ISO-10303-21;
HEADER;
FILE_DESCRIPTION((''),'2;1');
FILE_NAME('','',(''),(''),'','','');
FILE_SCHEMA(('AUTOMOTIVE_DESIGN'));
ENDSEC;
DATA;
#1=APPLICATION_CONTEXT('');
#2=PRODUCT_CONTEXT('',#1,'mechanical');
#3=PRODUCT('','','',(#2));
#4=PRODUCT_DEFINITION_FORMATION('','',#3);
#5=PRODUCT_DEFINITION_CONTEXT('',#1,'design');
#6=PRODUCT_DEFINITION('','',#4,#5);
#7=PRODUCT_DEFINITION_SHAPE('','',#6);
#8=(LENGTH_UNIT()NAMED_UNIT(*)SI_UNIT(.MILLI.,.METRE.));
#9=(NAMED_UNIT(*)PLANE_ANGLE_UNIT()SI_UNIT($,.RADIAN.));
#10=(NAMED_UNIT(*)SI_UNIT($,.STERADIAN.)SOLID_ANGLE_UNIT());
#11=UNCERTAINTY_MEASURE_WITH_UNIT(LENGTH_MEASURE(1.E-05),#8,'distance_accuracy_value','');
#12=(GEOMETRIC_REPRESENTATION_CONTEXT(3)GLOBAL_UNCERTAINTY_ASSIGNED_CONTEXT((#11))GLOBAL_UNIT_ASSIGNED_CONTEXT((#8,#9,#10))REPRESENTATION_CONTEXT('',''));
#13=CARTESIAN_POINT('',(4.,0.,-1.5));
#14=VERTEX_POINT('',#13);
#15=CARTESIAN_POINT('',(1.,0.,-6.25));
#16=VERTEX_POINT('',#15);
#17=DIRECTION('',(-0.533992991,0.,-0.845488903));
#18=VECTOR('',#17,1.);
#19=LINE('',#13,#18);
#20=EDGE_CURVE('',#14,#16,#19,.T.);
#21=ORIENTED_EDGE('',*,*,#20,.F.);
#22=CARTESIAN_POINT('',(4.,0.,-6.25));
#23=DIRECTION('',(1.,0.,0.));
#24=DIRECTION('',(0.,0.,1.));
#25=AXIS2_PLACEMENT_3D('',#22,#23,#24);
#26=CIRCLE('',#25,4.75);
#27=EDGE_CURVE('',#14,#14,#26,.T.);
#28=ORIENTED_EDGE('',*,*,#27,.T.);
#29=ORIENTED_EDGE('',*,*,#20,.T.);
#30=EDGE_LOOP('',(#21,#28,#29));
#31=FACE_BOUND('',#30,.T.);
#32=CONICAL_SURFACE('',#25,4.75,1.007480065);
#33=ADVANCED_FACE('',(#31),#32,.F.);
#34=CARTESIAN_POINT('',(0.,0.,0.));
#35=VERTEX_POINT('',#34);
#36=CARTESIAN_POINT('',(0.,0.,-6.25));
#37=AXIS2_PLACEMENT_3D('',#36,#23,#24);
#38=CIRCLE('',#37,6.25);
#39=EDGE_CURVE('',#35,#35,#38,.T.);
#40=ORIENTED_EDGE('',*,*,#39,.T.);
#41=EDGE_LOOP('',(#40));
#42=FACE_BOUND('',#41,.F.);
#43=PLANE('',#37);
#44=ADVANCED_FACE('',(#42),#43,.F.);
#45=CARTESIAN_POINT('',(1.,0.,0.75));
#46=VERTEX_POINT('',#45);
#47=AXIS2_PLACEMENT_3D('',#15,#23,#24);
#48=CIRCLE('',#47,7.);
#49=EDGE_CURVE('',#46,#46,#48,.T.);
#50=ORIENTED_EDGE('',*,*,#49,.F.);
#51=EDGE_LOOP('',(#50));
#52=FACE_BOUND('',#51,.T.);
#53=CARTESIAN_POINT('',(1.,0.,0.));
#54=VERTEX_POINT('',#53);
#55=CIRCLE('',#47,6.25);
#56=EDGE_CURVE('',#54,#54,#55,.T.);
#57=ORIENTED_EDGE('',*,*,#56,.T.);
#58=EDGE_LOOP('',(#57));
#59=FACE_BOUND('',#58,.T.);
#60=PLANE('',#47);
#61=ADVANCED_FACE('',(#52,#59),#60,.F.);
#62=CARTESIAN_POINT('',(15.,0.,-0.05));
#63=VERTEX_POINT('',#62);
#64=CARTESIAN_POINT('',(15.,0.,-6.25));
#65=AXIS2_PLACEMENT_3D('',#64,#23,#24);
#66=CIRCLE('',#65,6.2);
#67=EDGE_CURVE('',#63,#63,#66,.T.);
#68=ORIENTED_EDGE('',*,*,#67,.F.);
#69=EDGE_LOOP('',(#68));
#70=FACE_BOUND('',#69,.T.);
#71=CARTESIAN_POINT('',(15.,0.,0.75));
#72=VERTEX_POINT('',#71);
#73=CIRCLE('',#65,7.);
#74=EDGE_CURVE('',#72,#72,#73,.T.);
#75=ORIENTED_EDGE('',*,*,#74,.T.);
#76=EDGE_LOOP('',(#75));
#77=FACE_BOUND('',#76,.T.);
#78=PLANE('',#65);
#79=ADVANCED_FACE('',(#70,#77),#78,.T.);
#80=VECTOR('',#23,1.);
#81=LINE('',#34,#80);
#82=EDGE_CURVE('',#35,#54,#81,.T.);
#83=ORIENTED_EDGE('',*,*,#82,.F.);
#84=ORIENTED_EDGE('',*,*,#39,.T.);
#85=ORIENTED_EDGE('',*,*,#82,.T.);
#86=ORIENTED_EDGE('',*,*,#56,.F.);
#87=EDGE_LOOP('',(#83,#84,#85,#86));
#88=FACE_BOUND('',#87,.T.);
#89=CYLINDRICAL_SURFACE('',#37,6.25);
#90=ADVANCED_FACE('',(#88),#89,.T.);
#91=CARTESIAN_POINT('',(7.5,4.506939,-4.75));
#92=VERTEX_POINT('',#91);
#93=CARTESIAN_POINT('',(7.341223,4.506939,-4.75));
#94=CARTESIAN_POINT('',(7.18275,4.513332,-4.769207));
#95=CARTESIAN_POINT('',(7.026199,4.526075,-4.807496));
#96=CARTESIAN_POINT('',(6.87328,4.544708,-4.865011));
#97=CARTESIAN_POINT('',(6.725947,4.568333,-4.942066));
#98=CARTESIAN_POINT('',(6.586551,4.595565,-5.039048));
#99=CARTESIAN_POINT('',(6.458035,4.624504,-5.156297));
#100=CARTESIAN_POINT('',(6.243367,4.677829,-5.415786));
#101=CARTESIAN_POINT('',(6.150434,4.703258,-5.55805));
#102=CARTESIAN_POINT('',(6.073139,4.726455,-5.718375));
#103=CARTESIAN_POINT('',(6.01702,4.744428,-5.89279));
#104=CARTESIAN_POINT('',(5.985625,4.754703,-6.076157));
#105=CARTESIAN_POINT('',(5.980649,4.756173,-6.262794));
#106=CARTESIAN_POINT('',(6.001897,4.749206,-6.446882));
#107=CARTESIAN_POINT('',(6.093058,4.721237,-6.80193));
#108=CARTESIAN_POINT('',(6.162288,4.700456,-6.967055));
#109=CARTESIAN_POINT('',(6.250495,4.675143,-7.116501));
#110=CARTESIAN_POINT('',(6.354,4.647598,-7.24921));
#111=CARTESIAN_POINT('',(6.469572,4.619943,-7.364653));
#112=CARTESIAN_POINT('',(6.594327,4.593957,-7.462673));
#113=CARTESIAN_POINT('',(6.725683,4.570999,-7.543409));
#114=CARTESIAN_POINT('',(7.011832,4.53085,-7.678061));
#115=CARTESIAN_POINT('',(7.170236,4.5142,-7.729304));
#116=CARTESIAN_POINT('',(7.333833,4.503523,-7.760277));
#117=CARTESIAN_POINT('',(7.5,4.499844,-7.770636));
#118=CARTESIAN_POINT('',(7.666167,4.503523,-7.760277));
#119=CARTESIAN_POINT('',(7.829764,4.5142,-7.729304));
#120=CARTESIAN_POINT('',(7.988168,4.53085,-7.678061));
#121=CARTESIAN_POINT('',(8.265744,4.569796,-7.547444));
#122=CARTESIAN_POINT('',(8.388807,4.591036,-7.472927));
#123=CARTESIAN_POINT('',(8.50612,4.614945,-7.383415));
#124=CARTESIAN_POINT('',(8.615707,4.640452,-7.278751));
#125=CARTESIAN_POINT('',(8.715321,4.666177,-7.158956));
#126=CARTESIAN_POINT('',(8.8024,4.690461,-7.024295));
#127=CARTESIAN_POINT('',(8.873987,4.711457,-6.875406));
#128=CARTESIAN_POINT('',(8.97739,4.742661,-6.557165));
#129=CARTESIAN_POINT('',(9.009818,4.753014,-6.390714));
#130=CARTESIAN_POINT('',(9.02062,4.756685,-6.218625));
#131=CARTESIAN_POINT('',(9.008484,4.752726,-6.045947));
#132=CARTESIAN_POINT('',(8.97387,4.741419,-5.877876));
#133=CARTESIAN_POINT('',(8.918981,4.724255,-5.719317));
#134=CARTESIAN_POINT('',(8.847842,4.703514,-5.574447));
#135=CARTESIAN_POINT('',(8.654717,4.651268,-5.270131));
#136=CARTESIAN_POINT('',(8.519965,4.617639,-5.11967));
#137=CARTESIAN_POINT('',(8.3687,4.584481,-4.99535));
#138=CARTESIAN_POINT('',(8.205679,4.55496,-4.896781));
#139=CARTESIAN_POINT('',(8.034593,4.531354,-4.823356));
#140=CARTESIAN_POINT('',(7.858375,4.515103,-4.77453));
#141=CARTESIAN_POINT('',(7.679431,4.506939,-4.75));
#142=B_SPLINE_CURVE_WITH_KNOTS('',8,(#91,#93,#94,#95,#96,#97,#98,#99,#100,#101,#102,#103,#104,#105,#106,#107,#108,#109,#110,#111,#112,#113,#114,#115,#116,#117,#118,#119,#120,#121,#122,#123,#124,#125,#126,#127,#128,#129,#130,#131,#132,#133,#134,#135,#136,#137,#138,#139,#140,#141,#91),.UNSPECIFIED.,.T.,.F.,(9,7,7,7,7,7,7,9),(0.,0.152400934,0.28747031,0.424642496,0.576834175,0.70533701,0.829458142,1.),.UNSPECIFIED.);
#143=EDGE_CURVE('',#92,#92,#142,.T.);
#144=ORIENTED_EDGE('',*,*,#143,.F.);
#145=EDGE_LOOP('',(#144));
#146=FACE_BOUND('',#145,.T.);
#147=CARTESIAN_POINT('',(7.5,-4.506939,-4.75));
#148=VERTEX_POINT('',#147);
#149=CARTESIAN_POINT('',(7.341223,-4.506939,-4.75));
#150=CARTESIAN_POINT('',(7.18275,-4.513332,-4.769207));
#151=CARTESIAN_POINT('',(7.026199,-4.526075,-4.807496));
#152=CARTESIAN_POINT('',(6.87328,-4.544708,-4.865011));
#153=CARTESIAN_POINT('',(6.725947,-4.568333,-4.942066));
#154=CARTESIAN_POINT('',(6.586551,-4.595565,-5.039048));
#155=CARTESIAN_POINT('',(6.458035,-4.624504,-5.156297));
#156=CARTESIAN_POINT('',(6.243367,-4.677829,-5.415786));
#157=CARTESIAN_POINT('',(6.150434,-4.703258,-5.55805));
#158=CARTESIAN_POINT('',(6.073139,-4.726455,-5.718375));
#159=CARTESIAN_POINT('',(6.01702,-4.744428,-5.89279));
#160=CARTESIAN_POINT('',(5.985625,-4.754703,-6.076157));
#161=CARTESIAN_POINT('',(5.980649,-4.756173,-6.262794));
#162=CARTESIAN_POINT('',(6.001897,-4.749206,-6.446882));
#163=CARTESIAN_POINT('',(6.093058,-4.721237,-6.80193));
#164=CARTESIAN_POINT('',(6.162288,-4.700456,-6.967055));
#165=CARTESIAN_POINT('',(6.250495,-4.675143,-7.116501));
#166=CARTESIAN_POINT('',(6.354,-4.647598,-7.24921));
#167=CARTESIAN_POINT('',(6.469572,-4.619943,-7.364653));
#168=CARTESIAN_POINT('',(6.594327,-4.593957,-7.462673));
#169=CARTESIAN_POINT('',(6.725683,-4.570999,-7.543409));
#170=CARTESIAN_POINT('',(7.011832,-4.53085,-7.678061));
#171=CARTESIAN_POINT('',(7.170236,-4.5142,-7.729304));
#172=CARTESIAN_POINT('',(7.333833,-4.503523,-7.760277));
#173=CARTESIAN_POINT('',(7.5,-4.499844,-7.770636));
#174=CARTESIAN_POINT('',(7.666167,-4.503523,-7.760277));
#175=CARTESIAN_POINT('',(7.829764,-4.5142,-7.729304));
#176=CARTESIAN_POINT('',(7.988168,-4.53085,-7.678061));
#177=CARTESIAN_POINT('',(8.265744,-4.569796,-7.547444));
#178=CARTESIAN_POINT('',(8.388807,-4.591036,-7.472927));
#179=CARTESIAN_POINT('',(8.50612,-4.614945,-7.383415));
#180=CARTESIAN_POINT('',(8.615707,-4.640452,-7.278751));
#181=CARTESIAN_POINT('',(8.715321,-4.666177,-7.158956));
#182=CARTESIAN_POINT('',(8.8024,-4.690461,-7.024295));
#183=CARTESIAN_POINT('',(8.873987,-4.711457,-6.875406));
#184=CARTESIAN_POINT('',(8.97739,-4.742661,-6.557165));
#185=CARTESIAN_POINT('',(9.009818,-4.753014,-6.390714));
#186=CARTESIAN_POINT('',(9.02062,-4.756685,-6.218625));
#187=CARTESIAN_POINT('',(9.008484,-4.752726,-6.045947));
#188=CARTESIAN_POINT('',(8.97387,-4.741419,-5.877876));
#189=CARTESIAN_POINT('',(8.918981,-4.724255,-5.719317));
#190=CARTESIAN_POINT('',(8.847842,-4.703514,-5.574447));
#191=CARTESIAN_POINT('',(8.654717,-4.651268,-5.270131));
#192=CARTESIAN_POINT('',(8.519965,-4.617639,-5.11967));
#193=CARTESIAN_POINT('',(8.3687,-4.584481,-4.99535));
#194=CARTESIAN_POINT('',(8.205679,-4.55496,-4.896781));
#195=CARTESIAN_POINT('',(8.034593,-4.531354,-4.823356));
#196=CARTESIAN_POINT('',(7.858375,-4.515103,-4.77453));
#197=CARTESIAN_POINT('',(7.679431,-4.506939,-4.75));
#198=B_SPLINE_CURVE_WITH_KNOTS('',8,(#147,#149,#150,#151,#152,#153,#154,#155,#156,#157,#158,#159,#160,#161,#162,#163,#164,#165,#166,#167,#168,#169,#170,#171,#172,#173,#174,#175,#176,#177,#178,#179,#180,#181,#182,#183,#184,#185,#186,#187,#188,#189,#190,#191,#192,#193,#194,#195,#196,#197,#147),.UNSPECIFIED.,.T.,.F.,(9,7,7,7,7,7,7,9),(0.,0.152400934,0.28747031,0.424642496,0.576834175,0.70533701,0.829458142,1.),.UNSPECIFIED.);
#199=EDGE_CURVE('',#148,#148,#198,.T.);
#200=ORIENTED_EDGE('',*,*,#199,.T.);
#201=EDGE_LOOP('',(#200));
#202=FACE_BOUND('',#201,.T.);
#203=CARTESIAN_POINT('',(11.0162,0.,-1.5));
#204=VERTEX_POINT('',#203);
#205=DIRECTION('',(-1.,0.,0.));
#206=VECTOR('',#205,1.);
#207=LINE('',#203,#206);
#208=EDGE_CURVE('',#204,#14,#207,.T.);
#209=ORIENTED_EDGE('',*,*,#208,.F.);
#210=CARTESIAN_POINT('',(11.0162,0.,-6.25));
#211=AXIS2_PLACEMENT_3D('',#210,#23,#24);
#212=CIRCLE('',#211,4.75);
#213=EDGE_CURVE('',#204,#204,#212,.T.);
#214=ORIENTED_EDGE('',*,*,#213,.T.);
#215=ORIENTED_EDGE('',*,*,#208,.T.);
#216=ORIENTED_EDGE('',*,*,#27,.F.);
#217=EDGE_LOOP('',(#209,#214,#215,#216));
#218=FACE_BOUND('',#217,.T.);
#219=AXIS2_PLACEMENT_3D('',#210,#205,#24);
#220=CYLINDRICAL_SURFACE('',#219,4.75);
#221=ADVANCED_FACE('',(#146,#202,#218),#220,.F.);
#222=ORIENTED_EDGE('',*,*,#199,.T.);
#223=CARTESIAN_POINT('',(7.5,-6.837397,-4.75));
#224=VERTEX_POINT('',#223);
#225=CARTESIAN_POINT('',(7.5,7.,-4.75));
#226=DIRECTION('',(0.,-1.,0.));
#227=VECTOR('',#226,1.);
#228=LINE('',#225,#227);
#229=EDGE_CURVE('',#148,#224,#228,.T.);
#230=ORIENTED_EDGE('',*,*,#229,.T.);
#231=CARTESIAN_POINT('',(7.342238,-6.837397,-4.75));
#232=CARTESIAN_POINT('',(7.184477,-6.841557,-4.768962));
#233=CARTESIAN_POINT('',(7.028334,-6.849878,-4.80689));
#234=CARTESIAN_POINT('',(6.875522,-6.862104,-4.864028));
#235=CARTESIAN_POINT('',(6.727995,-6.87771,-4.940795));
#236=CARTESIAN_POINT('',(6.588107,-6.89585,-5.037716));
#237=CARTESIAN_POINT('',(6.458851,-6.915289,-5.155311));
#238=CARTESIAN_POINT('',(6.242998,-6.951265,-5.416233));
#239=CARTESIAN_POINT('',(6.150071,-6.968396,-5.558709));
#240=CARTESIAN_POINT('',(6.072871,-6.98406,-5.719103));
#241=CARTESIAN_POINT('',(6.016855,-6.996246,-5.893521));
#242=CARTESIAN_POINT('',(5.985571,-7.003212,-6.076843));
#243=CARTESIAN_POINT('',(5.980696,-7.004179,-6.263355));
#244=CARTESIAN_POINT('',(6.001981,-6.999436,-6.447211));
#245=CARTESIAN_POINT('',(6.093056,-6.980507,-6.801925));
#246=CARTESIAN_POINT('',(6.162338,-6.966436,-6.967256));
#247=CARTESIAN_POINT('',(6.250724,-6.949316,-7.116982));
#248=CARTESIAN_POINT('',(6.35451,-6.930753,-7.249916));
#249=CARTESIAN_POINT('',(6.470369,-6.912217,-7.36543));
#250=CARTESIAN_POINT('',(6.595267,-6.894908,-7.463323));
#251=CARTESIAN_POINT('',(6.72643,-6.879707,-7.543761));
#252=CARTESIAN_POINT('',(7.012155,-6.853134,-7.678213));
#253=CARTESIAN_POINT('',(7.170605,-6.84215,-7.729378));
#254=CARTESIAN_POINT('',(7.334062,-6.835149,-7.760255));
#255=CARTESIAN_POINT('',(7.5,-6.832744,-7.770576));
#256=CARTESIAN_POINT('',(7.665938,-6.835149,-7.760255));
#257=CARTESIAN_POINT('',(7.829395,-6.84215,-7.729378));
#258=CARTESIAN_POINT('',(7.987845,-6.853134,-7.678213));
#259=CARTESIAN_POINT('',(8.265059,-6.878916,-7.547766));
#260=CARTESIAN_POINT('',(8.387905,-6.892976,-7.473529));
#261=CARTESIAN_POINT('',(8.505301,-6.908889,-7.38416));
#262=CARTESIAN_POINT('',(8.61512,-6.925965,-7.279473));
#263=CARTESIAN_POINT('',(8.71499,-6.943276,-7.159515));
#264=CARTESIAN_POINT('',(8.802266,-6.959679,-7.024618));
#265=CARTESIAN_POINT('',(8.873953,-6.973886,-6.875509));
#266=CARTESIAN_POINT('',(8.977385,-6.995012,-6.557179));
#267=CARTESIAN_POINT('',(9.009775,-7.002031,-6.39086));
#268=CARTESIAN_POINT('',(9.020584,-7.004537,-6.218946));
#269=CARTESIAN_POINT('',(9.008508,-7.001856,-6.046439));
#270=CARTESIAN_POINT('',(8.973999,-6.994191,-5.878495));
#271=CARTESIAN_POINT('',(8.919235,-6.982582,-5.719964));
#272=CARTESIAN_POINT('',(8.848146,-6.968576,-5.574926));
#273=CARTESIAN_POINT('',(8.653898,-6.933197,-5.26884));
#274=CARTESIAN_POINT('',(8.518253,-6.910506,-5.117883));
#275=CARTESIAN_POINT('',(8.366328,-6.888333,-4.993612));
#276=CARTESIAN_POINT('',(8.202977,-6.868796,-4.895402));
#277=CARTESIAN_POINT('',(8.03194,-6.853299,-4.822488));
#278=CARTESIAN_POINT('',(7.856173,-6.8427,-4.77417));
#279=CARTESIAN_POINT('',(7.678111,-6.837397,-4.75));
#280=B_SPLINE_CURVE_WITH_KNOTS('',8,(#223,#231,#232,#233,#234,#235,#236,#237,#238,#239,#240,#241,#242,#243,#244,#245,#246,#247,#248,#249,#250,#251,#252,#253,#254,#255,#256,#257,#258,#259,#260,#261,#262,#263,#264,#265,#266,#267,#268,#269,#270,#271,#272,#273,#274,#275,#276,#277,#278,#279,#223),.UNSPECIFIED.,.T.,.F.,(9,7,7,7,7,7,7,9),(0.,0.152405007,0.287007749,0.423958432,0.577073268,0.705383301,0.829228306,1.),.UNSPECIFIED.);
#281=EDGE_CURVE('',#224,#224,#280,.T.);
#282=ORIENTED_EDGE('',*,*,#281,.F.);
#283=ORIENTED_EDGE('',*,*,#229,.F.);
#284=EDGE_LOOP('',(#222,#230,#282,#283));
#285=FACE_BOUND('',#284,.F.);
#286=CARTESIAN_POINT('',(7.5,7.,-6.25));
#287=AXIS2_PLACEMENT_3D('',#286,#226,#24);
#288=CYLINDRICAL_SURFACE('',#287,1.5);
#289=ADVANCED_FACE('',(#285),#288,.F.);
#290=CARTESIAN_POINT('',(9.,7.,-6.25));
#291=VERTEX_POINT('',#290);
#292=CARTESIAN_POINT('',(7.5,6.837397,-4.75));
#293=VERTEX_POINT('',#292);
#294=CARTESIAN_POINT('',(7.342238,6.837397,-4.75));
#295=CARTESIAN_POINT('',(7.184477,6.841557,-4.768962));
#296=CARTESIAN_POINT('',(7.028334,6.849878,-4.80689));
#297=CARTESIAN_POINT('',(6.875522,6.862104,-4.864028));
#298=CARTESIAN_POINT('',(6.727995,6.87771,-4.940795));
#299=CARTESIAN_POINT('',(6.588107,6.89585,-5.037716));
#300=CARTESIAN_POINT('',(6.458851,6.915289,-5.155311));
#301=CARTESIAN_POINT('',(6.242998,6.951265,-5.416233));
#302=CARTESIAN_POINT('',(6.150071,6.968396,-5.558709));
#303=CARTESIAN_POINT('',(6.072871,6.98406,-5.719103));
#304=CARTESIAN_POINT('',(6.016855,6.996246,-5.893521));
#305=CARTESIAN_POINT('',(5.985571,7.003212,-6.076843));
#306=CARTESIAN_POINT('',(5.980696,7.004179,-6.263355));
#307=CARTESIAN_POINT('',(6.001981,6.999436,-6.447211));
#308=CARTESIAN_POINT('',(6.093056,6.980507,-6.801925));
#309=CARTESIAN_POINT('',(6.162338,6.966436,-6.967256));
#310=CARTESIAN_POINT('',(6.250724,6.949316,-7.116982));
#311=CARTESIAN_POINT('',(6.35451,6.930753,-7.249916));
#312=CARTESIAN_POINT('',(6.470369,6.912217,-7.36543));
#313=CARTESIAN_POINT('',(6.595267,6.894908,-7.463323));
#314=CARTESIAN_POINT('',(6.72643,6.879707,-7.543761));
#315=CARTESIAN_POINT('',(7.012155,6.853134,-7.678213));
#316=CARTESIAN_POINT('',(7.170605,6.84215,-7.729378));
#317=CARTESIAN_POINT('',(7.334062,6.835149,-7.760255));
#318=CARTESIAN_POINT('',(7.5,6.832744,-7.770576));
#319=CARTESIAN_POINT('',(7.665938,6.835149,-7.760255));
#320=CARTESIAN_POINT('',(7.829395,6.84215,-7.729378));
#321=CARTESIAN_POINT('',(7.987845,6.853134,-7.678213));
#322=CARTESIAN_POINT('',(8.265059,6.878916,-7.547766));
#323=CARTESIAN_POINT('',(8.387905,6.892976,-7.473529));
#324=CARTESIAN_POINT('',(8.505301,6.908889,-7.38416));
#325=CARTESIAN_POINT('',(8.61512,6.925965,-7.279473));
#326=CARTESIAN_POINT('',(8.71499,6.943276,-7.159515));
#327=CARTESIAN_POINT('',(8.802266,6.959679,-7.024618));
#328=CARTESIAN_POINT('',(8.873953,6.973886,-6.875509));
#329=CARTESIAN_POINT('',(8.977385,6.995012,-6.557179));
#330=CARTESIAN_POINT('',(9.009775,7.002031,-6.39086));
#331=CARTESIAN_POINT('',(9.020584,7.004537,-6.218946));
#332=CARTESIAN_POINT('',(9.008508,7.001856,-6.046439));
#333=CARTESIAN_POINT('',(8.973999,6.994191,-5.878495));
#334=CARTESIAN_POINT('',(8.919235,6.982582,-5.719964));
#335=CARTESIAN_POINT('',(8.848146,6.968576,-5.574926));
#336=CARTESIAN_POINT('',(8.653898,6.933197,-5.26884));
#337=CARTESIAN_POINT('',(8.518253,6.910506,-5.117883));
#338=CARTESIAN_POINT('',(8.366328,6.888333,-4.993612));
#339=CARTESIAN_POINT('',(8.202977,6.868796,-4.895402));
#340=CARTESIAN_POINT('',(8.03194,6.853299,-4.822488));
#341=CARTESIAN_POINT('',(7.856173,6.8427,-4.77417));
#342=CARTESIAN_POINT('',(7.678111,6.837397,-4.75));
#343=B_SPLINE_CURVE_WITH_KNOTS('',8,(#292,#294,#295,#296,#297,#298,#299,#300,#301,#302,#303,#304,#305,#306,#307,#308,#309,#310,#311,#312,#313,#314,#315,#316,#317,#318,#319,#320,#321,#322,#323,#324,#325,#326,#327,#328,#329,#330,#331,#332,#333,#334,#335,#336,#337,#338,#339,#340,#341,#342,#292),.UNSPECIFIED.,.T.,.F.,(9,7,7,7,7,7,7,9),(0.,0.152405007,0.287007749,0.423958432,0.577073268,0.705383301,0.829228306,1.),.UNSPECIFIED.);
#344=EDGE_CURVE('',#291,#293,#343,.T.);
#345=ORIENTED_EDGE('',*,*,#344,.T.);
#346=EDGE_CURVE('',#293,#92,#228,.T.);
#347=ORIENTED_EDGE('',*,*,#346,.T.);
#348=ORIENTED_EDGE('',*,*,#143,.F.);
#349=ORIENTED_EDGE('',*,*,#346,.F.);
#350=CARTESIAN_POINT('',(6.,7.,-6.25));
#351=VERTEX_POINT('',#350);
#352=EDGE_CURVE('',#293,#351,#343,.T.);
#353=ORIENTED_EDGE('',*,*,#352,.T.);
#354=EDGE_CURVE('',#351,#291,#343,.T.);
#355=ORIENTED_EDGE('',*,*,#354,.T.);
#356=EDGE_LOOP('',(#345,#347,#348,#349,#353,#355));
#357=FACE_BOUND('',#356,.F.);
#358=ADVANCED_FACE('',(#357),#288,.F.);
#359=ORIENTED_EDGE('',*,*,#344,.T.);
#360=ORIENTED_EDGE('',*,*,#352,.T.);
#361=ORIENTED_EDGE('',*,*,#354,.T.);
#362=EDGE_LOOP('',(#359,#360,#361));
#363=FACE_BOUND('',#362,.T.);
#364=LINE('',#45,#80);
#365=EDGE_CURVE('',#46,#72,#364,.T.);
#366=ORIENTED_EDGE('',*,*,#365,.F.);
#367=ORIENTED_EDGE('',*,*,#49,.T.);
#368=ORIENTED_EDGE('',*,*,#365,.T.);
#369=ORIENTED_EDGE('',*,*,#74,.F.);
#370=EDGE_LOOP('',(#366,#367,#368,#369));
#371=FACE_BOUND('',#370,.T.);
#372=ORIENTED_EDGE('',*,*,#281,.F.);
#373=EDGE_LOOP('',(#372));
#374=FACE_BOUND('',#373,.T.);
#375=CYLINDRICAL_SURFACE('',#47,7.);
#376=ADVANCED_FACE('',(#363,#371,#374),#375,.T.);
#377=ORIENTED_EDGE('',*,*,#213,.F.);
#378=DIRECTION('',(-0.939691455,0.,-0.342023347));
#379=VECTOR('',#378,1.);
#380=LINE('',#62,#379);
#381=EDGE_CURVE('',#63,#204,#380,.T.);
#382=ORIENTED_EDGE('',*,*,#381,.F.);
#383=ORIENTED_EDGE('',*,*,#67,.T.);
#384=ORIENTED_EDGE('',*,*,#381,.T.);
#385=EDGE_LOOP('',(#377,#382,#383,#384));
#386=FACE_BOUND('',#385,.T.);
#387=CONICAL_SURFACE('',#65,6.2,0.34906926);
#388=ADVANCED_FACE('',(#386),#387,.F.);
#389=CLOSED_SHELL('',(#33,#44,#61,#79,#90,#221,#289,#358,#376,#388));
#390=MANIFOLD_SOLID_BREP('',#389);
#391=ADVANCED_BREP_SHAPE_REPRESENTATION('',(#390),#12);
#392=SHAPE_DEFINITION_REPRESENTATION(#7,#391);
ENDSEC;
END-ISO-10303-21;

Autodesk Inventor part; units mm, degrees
ref_plane "YZ Plane" through (0, 0, 0) normal (1, 0, 0) x (0, 1, 0)
ref_plane "XY Plane" through (0, 0, 0) normal (0, 0, 1) x (1, 0, 0)
sketch "Sketch1" plane through (0, 0, 0) normal (0, 1, 0) x (-1, 0, 0)
  line L0 (0, 0) -> (0, -6.25)
  line L1 (0, 0) -> (-1, 0)
  line L2 (-1, 0) -> (-1, 0.75)
  line L3 (0, -6.25) -> (-1, -6.25)
  line L4 (-1, 0.75) -> (-15, 0.75)
  line L5 (-15, 0.75) -> (-15, -6.25)
  line L6 (-15, -6.25) -> (-1, -6.25)
  line L7 (-15, -6.25) -> (-15, -1.5)
  line L8 (-15, -6.25) -> (-15, -0.05)
  line L9 (-15, 0.75) -> (-15, -0.05)
  line L10 (-15, -0.05) -> (-11.0162, -1.5)
  line L11 (-11.0162, -1.5) -> (-4, -1.5)
  line L12 (-4, -1.5) -> (-1, -6.25)
  line L13 (-11.0162, -1.5) -> (-4, -1.5)
  dimension "d0" = 6.25
  dimension "d3" = 0.75
  dimension "d5" = 4.75
  dimension "d6" = 6.2
  dimension "d7" = 0.8
  dimension "d11" = 11
revolve "Revolution1" add sketch "Sketch1" angle 360 about axis through (0, 0, -6.25) along (1, 0, 0) contours L0 L3 L12 L11 L10 L5 L4 L2 L1
sketch "Sketch2" plane through (0, 0, 0) normal (0, 0, 1) x (1, 0, 0)
  point P0 (0, 0)
ref_plane "Work Plane1" through (0, 7, 0) normal (0, 1, 0) x (-1, 0, 0)
sketch "Sketch3" plane through (0, 7, 0) normal (0, 1, 0) x (-1, 0, 0)
  line L0 (-15, -12.45) -> (-15, -0.05) projected
  line L1 (-15, -6.25) -> (-7.5, -6.25)
  circle A0 centre (-7.5, -6.25) radius 1.5
  point P0 (0, 0)
  dimension "d14" = 7.5
  dimension "d15" = 3
hole "Hole1" at (7.5, 7, -6.25) direction (0, -1, 0) diameter 3 end through all
properties part number "KOLBEN PART 11" material "Brass, Soft Yellow"
